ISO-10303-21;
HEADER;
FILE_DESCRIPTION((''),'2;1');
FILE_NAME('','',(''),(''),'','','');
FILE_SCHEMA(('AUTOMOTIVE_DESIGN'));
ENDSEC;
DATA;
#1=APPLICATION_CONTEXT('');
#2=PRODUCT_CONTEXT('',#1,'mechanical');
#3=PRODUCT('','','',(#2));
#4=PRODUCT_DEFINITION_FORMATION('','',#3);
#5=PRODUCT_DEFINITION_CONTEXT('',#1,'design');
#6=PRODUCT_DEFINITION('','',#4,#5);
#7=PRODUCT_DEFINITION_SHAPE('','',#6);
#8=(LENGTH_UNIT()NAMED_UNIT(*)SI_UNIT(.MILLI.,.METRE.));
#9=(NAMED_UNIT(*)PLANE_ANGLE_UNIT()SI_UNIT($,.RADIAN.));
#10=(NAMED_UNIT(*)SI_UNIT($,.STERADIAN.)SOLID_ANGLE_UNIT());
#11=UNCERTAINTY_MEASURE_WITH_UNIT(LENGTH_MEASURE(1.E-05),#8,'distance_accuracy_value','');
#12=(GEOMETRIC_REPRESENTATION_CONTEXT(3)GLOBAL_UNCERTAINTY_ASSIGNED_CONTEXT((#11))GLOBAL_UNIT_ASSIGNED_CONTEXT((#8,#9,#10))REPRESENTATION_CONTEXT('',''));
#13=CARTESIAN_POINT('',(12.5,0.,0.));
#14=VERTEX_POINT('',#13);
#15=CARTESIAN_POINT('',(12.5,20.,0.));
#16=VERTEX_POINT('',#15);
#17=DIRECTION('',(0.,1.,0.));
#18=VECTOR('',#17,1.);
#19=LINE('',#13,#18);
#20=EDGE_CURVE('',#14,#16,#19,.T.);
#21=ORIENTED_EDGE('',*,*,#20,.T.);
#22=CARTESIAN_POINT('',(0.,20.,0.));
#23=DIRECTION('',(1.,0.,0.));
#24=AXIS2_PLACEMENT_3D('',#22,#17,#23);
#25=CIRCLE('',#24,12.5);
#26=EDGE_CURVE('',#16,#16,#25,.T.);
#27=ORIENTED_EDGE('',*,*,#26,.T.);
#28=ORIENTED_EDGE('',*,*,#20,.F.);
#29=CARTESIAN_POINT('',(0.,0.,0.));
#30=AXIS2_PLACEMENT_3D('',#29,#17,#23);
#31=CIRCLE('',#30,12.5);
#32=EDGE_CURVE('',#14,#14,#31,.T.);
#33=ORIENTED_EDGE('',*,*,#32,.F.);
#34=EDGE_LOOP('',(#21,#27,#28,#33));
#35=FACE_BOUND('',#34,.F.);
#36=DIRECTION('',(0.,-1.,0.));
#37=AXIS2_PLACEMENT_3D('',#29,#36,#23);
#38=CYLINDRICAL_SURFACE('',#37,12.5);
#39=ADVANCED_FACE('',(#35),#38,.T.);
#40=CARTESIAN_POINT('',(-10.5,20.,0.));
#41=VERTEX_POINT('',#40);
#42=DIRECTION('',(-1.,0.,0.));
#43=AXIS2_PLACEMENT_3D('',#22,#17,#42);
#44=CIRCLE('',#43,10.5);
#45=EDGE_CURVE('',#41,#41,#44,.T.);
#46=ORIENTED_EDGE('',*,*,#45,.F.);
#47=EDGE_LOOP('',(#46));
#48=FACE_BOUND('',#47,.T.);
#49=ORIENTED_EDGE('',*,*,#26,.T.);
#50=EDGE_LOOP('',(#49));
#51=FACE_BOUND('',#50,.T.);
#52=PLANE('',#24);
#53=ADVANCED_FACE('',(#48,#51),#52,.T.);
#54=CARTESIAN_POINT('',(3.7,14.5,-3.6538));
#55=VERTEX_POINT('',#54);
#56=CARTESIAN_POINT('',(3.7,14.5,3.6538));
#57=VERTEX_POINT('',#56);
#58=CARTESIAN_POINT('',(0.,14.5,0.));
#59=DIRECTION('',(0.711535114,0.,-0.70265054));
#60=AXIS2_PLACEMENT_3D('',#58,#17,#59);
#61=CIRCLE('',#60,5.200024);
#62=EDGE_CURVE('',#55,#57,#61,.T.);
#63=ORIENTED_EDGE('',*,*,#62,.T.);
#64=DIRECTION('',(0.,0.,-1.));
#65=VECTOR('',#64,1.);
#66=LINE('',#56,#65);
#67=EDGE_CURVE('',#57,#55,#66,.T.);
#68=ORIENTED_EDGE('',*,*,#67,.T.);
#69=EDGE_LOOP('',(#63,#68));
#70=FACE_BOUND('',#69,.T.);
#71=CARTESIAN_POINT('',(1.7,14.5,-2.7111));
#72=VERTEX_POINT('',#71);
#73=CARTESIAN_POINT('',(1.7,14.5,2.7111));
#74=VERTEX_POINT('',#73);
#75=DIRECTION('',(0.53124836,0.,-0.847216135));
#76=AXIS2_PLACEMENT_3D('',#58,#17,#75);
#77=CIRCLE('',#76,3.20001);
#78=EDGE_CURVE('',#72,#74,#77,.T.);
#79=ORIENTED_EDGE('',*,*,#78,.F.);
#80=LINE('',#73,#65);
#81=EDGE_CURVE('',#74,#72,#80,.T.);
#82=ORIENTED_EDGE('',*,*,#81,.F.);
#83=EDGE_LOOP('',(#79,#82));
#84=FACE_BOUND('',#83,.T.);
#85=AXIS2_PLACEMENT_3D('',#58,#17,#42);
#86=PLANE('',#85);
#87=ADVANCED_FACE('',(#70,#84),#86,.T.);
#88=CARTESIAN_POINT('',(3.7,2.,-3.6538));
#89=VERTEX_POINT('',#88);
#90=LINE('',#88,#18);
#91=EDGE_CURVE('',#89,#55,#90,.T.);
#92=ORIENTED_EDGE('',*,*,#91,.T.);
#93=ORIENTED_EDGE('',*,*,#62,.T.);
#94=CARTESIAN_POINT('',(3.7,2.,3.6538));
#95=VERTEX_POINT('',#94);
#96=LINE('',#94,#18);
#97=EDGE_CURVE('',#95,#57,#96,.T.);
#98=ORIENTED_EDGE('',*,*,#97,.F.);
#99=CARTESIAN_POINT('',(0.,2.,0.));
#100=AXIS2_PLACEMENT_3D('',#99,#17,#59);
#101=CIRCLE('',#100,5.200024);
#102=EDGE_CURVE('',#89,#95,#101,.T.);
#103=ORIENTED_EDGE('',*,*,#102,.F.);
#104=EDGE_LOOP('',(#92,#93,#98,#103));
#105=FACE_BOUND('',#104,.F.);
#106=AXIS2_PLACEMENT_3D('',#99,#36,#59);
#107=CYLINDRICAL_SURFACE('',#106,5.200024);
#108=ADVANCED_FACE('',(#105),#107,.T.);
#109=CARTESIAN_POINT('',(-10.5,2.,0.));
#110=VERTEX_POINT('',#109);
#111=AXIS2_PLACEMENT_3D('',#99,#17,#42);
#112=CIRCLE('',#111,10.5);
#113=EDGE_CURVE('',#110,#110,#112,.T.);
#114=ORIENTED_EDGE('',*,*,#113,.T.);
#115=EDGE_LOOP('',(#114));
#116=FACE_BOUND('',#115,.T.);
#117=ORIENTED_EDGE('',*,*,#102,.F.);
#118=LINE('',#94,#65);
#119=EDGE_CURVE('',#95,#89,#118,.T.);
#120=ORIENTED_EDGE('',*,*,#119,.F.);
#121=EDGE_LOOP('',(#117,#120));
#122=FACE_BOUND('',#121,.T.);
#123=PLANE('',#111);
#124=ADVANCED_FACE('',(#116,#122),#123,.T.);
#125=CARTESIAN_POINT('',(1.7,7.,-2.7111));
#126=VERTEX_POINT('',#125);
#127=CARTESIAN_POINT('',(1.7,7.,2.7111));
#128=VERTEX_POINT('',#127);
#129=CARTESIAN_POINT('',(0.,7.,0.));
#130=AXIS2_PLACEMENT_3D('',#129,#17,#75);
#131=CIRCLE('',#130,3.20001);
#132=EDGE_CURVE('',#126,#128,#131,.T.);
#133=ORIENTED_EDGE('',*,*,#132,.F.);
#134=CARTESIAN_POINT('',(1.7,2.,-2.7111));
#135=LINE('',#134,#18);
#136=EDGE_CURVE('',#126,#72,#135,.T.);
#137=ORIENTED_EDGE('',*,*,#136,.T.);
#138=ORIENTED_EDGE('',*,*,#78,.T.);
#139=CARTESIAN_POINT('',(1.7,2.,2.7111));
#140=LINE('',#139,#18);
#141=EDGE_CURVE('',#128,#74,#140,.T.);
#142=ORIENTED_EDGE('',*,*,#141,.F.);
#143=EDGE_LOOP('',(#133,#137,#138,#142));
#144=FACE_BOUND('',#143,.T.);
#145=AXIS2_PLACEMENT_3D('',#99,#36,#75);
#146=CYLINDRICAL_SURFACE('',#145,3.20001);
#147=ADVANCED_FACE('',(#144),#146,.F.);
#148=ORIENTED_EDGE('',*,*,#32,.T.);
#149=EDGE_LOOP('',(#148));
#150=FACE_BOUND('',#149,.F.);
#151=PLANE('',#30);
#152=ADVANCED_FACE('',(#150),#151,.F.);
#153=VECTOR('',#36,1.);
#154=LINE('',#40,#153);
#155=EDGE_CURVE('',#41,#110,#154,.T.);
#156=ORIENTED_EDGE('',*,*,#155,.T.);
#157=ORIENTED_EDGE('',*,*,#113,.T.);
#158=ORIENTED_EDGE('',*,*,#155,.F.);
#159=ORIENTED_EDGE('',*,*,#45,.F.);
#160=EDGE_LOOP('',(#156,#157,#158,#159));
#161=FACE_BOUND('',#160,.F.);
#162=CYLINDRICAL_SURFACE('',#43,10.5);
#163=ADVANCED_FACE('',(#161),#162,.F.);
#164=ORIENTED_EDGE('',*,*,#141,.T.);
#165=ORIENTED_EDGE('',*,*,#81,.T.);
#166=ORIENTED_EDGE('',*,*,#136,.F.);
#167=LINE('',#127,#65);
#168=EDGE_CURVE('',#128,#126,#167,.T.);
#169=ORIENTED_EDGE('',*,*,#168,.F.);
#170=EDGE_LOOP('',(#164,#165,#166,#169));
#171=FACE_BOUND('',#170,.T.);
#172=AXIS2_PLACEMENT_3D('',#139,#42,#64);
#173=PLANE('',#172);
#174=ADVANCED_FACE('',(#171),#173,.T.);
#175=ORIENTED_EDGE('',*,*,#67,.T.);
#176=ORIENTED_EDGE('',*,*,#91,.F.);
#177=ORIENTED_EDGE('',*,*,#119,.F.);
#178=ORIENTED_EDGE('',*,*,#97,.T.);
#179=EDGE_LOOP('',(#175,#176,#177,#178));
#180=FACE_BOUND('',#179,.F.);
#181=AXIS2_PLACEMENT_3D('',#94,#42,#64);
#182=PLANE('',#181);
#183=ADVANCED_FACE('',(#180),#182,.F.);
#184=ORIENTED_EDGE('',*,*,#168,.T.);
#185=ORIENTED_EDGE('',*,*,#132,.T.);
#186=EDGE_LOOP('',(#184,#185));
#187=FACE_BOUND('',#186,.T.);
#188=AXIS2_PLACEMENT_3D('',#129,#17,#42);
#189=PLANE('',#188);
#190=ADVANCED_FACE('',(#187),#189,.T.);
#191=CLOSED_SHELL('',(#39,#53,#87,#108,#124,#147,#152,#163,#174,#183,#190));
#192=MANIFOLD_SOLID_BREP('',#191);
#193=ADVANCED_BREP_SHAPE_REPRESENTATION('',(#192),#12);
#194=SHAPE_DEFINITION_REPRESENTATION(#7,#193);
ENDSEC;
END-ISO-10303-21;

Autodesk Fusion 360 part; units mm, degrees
sketch "Outer" plane through (0, 0, 0) normal (0, 1, 0) x (1, 0, 0)
  circle A0 centre (0, 0) radius 12.5
  dimension "d1" = 25
extrude "Extrude1" add sketch "Outer" along normal blind 20
sketch "Inner" plane through (0, 20, 0) normal (0, 1, 0) x (-1, 0, 0)
  circle A0 centre (0, 0) radius 12.5
  circle A1 centre (0, 0) radius 10.5
  dimension "d4" = 21
extrude "Extrude2" cut sketch "Inner" against normal blind 18 contours A1
sketch "Shaft" plane through (0, 2, 0) normal (0, 1, 0) x (-1, 0, 0)
  circle A0 centre (0, 0) radius 10.5
  line L0 (-1.7, 2.7111) -> (-1.7, -2.7111)
  arc A1 (-1.7, -2.7111) -> (-1.7, 2.7111) centre (0, 0) ccw
  arc A2 (-3.7, -3.6538) -> (-3.7, 3.6538) centre (0, 0) ccw
  line L1 (-3.7, 3.6538) -> (-3.7, -3.6538)
  dimension "d7" = 6.4
  dimension "d8" = 1.7
  dimension "d9" = 2
extrude "Extrude3" add sketch "Shaft" along normal blind 12.5 contours A2 L1
sketch "Sketch4" plane through (0, 2, 0) normal (0, 1, 0) x (-1, 0, 0)
  line L0 (-1.7, 2.7111) -> (-1.7, -2.7111)
  arc A0 (-1.7, -2.7111) -> (-1.7, 2.7111) centre (0, 0) ccw
extrude "Extrude4" add sketch "Sketch4" along normal blind 5
equation "d4 = 25 mm - 2 mm - 2 mm"
equation "d5 = -( 20 mm - 2 mm )"
equation "d7 = 6 mm + 0.2 mm + 0.2 mm"
equation "d8 = ( 4.5 mm - 3 mm ) + 0.2 mm"
equation "d10 = 20 mm - 2 mm - 5.5 mm"
equation "d12 = 20 mm - 2 mm - 5.5 mm - 7.5 mm"
